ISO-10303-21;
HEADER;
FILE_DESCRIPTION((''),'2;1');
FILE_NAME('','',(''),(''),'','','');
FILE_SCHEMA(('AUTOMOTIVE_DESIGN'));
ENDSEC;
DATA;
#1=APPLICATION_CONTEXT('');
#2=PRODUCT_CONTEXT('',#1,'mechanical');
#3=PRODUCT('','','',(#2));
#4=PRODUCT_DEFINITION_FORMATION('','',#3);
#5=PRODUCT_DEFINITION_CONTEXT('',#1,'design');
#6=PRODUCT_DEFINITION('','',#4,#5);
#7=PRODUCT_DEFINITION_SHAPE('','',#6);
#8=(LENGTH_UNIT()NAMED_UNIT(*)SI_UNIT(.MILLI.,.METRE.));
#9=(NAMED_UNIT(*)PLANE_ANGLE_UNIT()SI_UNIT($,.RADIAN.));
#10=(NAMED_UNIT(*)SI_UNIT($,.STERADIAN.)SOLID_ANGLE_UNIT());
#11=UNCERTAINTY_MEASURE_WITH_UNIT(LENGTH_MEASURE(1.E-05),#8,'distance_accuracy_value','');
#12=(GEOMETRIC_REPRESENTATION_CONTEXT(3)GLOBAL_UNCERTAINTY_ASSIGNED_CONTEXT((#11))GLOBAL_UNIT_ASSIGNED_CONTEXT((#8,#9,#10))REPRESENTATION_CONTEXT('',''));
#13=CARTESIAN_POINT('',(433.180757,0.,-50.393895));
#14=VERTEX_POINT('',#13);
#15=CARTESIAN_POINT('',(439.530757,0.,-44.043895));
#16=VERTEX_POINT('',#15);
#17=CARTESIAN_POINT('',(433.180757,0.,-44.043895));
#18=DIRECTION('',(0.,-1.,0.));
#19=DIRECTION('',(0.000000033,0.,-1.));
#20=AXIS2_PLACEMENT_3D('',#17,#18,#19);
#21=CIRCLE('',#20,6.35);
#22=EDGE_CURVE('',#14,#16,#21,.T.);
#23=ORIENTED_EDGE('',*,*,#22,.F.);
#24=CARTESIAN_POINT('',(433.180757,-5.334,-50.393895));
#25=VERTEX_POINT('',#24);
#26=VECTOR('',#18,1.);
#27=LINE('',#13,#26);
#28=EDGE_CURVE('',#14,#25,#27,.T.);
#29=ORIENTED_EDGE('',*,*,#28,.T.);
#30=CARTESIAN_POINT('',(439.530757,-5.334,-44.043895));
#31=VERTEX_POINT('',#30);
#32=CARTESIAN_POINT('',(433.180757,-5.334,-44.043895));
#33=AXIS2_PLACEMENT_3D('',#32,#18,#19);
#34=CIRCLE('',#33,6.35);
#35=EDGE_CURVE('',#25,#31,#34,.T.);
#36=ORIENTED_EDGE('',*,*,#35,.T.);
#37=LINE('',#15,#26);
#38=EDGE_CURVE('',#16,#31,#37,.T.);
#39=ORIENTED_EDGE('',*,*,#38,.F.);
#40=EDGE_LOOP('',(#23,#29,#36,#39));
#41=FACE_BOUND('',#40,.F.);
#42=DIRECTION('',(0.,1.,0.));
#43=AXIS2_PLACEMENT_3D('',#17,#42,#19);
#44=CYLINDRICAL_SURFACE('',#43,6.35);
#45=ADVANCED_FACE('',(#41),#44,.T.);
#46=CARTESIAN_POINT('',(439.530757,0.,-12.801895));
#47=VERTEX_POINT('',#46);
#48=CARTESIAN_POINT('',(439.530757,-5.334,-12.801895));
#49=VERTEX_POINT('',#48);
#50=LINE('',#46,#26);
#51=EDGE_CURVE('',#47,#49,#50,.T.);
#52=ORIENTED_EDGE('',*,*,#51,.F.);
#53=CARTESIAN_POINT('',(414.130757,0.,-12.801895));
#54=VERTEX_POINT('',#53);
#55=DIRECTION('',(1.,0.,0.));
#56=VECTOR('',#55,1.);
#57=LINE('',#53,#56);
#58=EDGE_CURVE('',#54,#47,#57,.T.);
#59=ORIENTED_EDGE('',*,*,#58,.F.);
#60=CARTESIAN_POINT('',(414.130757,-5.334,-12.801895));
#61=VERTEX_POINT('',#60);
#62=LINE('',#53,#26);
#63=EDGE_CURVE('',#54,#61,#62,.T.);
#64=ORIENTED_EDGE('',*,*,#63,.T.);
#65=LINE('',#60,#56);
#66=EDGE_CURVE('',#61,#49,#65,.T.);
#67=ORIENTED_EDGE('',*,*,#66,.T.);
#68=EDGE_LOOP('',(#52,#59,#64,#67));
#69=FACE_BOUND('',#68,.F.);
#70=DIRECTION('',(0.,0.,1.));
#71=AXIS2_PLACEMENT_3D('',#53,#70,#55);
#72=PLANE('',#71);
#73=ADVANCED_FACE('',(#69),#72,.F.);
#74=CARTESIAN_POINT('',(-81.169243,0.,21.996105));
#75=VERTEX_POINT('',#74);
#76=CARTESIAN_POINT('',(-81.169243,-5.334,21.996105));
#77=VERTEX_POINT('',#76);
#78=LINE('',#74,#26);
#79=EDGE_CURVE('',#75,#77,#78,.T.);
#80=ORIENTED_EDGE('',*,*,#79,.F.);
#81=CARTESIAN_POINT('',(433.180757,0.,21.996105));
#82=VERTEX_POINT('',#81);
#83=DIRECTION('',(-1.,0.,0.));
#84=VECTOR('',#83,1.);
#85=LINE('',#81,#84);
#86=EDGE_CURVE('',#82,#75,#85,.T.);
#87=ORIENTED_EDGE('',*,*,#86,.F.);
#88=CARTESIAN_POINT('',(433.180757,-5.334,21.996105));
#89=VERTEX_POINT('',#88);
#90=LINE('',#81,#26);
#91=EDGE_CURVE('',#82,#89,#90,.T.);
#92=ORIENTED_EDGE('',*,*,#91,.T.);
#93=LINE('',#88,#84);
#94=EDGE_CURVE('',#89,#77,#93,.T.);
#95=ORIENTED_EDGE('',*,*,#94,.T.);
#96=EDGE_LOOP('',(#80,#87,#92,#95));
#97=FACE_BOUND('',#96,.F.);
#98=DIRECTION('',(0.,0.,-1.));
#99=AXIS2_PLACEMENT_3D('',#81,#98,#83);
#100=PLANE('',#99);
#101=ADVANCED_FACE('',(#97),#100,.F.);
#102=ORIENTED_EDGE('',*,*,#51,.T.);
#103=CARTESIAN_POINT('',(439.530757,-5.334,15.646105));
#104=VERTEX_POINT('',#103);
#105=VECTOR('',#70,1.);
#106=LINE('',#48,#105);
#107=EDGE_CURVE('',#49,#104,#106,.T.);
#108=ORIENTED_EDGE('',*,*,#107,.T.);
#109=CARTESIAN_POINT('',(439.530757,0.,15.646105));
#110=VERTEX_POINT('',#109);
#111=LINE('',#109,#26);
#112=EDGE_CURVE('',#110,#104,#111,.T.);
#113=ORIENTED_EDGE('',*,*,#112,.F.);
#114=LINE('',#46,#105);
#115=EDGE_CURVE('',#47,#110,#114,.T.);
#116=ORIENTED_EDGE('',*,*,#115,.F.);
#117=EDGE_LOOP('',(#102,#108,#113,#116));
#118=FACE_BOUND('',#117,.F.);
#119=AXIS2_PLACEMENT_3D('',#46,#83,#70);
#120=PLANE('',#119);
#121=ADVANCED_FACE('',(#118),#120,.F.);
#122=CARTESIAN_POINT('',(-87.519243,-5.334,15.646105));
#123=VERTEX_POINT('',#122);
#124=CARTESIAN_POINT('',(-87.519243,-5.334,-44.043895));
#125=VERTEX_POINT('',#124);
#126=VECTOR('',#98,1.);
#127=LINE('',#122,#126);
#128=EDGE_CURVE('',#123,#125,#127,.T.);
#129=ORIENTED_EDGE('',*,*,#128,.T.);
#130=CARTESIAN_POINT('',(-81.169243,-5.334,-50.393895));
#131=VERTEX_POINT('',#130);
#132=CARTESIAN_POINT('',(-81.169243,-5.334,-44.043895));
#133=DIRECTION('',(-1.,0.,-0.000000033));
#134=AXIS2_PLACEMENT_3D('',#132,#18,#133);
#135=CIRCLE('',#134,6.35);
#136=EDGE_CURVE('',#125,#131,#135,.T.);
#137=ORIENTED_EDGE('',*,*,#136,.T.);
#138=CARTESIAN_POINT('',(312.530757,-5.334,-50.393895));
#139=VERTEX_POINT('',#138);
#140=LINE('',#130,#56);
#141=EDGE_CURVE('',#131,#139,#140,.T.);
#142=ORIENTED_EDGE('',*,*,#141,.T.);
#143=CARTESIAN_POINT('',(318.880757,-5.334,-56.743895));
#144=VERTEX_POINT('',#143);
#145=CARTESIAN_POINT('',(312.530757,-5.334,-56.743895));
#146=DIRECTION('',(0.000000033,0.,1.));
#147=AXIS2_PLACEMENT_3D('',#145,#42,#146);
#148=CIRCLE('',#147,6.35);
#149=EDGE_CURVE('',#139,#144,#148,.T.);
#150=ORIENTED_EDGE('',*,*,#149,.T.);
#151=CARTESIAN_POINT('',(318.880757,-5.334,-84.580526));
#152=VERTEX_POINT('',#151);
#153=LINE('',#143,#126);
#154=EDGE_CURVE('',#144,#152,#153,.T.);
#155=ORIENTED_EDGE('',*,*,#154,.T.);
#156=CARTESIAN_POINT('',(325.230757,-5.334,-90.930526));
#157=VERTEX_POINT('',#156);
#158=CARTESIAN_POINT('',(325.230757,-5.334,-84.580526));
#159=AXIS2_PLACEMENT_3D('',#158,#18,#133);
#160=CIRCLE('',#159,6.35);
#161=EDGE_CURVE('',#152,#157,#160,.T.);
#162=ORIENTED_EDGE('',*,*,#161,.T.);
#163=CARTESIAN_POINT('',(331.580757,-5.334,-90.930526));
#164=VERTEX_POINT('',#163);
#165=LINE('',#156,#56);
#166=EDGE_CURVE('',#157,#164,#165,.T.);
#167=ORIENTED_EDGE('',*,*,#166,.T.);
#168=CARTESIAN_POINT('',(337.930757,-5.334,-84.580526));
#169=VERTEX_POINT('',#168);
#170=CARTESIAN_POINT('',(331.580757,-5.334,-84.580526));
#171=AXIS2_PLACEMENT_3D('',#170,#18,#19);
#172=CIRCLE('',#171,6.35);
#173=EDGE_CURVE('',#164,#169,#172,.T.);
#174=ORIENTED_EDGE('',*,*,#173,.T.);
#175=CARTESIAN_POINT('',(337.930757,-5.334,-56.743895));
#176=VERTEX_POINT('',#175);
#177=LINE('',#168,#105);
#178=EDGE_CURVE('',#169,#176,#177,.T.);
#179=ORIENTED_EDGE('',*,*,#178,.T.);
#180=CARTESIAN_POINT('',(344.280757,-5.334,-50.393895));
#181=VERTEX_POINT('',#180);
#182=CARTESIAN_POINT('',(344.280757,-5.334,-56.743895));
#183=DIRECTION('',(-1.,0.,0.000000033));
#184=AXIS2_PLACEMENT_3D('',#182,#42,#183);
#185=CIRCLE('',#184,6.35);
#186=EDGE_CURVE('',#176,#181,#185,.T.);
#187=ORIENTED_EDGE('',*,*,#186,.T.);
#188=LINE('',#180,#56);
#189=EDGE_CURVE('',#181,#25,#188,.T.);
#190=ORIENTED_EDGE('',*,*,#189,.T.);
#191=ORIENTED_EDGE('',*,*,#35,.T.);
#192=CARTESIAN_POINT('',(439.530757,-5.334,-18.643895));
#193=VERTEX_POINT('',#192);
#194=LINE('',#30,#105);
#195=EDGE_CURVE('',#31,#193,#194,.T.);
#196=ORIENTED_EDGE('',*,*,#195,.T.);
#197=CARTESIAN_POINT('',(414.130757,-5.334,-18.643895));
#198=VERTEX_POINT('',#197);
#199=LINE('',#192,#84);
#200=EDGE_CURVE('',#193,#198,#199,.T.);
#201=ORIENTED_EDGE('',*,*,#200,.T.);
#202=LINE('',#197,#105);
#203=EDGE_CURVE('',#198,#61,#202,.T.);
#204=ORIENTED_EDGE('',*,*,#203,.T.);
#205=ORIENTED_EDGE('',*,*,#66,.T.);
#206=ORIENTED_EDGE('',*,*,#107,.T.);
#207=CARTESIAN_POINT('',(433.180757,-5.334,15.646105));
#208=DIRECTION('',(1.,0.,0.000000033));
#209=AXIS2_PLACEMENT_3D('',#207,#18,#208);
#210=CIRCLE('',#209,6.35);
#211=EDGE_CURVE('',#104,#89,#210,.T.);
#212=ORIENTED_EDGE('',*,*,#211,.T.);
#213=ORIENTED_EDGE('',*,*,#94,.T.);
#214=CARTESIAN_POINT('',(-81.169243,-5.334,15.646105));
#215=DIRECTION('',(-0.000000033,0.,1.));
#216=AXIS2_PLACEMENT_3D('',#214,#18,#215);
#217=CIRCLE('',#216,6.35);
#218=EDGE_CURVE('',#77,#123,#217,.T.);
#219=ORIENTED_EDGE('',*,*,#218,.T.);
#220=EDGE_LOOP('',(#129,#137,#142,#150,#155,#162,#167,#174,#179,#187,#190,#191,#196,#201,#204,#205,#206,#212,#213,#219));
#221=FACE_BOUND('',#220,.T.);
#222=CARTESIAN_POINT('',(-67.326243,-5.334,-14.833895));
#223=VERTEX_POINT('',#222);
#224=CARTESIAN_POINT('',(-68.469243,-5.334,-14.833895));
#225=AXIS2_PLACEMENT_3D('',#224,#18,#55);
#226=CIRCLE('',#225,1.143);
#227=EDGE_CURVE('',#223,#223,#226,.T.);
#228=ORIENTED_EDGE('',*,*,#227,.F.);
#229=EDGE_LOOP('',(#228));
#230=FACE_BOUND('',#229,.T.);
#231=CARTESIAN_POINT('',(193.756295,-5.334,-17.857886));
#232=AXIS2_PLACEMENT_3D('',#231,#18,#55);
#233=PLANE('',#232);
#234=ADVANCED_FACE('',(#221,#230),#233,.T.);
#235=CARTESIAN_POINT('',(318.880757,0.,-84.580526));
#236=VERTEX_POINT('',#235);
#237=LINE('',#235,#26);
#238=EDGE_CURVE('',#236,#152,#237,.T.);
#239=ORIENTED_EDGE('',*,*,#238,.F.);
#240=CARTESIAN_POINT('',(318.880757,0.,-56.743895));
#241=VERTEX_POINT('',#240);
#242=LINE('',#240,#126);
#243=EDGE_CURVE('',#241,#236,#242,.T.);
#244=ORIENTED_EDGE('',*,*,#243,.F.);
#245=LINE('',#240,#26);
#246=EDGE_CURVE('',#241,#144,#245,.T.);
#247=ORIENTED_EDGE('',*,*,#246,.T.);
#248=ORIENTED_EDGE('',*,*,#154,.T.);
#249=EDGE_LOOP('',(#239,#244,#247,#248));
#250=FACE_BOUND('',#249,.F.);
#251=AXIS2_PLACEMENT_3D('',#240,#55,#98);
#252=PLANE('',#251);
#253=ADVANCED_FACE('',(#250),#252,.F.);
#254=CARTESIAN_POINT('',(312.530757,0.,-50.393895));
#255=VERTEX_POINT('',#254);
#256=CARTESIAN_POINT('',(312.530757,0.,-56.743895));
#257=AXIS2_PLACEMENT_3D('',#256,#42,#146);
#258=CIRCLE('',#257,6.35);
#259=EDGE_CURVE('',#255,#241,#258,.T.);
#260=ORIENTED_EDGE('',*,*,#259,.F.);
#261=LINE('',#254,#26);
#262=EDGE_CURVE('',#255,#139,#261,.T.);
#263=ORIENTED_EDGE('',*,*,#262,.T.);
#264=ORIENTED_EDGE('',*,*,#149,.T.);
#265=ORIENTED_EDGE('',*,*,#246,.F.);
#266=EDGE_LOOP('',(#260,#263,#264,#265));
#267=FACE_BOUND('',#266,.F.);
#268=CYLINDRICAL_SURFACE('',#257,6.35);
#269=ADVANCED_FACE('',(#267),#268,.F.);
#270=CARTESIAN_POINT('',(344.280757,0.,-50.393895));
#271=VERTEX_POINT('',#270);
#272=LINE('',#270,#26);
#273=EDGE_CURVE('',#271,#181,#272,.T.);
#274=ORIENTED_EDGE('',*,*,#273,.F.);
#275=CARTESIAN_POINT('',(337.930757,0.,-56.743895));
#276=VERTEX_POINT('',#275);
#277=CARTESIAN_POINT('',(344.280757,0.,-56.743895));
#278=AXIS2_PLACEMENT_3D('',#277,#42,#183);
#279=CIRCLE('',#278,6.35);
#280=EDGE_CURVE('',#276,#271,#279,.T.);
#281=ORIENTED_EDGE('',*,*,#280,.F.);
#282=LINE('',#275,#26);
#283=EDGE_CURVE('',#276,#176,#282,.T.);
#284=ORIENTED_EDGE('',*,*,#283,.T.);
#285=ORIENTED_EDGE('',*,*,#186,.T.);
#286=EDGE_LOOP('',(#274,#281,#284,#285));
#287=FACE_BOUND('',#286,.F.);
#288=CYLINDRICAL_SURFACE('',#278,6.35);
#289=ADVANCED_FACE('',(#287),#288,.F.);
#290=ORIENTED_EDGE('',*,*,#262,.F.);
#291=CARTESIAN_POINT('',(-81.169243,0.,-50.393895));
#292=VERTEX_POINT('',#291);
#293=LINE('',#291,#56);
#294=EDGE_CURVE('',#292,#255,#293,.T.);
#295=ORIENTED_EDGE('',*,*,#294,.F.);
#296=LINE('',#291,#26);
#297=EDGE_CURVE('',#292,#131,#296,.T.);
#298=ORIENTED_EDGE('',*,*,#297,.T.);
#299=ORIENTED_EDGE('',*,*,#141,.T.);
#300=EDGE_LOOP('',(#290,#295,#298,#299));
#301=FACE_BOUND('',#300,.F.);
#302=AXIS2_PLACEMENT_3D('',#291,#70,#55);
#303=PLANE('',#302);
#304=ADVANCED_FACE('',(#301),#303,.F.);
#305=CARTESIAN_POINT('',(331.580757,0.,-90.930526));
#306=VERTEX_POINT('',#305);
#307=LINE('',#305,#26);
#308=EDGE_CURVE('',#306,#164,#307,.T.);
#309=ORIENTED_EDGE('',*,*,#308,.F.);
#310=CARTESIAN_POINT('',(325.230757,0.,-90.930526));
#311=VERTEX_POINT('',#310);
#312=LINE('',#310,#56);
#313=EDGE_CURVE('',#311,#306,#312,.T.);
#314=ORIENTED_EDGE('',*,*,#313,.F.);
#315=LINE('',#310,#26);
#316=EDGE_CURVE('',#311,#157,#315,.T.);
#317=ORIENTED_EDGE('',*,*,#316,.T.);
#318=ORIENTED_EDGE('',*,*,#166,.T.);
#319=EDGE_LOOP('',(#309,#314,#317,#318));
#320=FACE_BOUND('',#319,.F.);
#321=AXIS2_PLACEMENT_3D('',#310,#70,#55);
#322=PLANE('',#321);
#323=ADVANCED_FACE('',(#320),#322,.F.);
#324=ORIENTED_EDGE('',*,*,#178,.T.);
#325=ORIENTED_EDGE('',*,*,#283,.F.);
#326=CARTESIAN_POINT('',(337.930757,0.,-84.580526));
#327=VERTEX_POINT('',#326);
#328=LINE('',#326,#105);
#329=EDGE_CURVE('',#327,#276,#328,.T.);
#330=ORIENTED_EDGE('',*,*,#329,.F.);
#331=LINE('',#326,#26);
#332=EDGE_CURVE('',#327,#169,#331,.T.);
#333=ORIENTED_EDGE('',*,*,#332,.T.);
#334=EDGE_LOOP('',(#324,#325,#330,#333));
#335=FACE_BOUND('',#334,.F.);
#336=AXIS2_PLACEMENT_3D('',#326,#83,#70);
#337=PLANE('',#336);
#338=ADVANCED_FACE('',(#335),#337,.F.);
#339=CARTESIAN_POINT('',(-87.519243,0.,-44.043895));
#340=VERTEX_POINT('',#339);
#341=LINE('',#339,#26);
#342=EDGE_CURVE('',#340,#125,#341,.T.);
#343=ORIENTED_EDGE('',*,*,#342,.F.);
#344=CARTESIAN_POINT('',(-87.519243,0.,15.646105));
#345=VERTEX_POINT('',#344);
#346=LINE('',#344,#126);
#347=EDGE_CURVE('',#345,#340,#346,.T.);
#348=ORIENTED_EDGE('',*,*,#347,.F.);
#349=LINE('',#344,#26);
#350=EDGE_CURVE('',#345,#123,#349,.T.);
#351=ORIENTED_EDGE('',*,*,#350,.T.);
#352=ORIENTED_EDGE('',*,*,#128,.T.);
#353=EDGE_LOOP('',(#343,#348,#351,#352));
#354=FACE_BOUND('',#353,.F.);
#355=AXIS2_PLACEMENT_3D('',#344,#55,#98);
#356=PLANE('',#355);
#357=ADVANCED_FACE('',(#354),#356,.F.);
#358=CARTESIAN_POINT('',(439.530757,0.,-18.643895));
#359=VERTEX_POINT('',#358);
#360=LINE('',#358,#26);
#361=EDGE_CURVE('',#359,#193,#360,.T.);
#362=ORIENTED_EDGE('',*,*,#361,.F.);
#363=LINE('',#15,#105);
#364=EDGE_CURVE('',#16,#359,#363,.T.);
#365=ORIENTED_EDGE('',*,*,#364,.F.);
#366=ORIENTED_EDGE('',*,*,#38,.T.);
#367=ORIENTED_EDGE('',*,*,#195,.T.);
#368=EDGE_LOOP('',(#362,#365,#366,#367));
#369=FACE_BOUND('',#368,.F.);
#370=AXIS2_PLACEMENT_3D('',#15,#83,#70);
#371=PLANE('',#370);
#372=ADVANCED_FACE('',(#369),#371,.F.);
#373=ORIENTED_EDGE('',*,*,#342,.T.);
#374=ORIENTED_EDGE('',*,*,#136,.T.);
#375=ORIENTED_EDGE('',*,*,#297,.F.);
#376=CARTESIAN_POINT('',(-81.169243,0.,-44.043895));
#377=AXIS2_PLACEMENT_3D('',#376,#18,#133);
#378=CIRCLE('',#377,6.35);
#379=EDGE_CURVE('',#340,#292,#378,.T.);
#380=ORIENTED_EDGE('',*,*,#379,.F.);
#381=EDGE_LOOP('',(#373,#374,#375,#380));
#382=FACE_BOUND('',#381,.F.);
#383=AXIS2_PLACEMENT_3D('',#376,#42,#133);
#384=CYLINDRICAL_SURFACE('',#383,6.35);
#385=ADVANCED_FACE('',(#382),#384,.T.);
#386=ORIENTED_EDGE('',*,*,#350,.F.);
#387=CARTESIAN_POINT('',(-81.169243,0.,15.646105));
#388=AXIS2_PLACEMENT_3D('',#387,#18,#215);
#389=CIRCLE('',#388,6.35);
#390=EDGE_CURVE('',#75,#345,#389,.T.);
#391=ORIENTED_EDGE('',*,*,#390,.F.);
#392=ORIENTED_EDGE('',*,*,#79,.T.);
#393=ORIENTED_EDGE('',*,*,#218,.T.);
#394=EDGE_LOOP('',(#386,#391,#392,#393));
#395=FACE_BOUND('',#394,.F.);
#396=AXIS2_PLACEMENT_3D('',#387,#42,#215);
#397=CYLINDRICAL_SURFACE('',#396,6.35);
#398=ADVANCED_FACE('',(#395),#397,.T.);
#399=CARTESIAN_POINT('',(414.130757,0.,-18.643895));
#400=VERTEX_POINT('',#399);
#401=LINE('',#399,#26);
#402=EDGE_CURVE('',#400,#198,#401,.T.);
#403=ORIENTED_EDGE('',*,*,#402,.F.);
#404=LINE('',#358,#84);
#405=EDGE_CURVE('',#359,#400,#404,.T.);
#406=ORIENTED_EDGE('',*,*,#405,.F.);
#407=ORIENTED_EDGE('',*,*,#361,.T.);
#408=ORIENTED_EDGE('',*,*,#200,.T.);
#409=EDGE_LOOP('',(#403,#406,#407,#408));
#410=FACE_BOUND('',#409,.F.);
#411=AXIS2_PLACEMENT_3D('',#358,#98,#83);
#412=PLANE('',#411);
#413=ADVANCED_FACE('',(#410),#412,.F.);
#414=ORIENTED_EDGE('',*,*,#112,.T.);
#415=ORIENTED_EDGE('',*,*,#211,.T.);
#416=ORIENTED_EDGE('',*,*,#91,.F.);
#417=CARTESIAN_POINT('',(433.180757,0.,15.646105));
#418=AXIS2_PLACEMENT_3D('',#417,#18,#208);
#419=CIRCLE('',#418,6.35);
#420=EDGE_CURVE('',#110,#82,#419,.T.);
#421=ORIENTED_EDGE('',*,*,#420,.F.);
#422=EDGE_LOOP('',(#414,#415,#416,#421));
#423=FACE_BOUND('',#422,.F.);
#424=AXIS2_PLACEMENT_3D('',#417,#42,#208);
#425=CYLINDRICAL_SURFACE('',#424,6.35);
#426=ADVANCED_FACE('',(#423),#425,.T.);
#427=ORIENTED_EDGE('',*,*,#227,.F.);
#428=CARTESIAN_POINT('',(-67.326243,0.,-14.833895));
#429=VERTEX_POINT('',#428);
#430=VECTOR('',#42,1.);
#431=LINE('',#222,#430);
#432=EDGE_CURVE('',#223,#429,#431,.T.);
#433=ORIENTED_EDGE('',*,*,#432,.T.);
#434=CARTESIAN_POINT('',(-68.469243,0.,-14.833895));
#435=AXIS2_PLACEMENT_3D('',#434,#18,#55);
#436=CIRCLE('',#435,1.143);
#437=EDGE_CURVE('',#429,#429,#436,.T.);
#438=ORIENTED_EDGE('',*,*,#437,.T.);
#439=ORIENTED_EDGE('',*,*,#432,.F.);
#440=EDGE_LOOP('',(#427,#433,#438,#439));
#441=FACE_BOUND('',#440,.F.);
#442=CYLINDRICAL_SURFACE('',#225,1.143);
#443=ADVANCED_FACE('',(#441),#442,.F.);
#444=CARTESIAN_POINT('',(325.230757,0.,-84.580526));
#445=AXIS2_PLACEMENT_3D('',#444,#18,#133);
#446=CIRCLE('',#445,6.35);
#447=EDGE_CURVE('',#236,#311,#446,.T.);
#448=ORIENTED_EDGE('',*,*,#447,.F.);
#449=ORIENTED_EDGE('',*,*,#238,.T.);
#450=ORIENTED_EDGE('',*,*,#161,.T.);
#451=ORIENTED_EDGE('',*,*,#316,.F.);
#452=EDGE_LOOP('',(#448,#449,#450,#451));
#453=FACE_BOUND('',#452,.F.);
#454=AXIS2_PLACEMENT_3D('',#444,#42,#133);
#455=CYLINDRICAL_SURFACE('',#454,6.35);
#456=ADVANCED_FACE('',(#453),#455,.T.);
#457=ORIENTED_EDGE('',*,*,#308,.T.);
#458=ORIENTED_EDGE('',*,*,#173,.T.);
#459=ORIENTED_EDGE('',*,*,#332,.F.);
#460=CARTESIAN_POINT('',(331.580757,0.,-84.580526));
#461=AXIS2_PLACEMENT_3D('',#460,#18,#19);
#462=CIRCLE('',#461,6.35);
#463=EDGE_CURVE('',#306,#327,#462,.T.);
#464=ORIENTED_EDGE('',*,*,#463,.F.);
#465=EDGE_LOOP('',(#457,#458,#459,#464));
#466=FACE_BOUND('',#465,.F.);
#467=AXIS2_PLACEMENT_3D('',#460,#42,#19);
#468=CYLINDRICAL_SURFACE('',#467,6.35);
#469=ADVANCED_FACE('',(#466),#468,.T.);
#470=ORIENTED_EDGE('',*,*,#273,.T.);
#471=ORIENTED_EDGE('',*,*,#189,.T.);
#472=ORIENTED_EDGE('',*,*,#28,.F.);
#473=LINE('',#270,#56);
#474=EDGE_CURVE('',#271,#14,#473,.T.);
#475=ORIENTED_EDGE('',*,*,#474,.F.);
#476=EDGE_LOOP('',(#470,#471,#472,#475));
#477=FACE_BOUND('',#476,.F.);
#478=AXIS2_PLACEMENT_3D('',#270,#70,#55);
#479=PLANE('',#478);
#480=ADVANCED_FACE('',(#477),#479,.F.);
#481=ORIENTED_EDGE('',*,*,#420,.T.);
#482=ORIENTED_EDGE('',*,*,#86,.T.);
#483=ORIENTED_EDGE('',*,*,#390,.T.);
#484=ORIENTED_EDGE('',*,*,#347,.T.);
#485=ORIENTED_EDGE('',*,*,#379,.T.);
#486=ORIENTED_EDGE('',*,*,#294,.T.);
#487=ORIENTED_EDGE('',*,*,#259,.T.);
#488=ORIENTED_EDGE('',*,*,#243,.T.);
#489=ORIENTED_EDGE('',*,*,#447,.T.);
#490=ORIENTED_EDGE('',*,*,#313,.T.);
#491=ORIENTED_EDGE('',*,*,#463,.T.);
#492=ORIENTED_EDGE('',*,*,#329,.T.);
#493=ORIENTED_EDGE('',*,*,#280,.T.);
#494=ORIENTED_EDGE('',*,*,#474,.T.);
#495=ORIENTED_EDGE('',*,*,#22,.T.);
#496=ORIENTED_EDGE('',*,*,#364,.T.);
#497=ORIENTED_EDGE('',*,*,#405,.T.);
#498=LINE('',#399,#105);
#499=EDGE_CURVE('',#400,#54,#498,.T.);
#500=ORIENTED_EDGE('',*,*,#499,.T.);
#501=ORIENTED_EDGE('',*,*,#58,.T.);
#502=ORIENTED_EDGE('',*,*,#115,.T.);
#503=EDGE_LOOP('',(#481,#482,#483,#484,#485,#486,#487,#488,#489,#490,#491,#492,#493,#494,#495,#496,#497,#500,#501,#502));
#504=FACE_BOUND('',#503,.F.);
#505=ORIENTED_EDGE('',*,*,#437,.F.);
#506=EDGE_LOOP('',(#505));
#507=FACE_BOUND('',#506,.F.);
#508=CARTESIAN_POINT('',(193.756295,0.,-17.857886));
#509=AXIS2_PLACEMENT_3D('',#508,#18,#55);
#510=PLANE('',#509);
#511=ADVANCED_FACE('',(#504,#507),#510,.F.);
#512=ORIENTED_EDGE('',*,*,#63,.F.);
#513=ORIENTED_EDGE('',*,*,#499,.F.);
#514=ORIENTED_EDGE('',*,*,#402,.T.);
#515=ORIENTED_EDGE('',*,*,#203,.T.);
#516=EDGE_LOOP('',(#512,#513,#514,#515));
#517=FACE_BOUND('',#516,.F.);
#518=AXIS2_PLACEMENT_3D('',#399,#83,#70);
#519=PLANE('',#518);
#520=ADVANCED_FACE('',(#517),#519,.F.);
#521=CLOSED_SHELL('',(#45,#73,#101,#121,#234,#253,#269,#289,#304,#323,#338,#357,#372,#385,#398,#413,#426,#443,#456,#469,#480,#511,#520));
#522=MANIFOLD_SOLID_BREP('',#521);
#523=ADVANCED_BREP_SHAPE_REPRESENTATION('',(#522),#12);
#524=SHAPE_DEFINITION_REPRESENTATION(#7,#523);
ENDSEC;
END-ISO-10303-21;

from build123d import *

# Parameters (mm, degrees)
F1_DEPTH = 5.334
F2_R     = 1.143
F3_DEPTH = 25.4


with BuildPart() as f1:
    # F0 (on Front) → F1 (new body)
    with BuildSketch(Plane.XZ):
        with BuildLine():
            Line((433.180757, 21.996105), (-81.169243, 21.996105))
            ThreePointArc((-81.169243, 21.996105), (-85.659371, 20.136233), (-87.519243, 15.646105))
            Line((-87.519243, 15.646105), (-87.519243, -44.043895))
            ThreePointArc((-87.519243, -44.043895), (-85.659371, -48.534023), (-81.169243, -50.393895))
            Line((-81.169243, -50.393895), (312.530757, -50.393895))
            ThreePointArc((312.530757, -50.393895), (317.020885, -52.253767), (318.880757, -56.743895))
            Line((318.880757, -56.743895), (318.880757, -84.580526))
            ThreePointArc((318.880757, -84.580526), (320.740629, -89.070654), (325.230757, -90.930526))
            Line((325.230757, -90.930526), (331.580757, -90.930526))
            ThreePointArc((331.580757, -90.930526), (336.070885, -89.070654), (337.930757, -84.580526))
            Line((337.930757, -84.580526), (337.930757, -56.743895))
            ThreePointArc((337.930757, -56.743895), (339.790629, -52.253767), (344.280757, -50.393895))
            Line((344.280757, -50.393895), (433.180757, -50.393895))
            ThreePointArc((433.180757, -50.393895), (437.670885, -48.534023), (439.530757, -44.043895))
            Line((439.530757, -44.043895), (439.530757, -18.643895))
            Line((439.530757, -18.643895), (414.130757, -18.643895))
            Line((414.130757, -18.643895), (414.130757, -12.801895))
            Line((414.130757, -12.801895), (439.530757, -12.801895))
            Line((439.530757, -12.801895), (439.530757, 15.646105))
            ThreePointArc((439.530757, 15.646105), (437.670885, 20.136233), (433.180757, 21.996105))
        make_face()
    extrude(amount=F1_DEPTH)

    # F2 (on face) → F3 (cut)
    with BuildSketch(Plane.XZ.offset(5.334)):
        with Locations((-68.469243, -14.833895)):
            Circle(F2_R)
    extrude(amount=-F3_DEPTH, mode=Mode.SUBTRACT)


solid = f1.part
